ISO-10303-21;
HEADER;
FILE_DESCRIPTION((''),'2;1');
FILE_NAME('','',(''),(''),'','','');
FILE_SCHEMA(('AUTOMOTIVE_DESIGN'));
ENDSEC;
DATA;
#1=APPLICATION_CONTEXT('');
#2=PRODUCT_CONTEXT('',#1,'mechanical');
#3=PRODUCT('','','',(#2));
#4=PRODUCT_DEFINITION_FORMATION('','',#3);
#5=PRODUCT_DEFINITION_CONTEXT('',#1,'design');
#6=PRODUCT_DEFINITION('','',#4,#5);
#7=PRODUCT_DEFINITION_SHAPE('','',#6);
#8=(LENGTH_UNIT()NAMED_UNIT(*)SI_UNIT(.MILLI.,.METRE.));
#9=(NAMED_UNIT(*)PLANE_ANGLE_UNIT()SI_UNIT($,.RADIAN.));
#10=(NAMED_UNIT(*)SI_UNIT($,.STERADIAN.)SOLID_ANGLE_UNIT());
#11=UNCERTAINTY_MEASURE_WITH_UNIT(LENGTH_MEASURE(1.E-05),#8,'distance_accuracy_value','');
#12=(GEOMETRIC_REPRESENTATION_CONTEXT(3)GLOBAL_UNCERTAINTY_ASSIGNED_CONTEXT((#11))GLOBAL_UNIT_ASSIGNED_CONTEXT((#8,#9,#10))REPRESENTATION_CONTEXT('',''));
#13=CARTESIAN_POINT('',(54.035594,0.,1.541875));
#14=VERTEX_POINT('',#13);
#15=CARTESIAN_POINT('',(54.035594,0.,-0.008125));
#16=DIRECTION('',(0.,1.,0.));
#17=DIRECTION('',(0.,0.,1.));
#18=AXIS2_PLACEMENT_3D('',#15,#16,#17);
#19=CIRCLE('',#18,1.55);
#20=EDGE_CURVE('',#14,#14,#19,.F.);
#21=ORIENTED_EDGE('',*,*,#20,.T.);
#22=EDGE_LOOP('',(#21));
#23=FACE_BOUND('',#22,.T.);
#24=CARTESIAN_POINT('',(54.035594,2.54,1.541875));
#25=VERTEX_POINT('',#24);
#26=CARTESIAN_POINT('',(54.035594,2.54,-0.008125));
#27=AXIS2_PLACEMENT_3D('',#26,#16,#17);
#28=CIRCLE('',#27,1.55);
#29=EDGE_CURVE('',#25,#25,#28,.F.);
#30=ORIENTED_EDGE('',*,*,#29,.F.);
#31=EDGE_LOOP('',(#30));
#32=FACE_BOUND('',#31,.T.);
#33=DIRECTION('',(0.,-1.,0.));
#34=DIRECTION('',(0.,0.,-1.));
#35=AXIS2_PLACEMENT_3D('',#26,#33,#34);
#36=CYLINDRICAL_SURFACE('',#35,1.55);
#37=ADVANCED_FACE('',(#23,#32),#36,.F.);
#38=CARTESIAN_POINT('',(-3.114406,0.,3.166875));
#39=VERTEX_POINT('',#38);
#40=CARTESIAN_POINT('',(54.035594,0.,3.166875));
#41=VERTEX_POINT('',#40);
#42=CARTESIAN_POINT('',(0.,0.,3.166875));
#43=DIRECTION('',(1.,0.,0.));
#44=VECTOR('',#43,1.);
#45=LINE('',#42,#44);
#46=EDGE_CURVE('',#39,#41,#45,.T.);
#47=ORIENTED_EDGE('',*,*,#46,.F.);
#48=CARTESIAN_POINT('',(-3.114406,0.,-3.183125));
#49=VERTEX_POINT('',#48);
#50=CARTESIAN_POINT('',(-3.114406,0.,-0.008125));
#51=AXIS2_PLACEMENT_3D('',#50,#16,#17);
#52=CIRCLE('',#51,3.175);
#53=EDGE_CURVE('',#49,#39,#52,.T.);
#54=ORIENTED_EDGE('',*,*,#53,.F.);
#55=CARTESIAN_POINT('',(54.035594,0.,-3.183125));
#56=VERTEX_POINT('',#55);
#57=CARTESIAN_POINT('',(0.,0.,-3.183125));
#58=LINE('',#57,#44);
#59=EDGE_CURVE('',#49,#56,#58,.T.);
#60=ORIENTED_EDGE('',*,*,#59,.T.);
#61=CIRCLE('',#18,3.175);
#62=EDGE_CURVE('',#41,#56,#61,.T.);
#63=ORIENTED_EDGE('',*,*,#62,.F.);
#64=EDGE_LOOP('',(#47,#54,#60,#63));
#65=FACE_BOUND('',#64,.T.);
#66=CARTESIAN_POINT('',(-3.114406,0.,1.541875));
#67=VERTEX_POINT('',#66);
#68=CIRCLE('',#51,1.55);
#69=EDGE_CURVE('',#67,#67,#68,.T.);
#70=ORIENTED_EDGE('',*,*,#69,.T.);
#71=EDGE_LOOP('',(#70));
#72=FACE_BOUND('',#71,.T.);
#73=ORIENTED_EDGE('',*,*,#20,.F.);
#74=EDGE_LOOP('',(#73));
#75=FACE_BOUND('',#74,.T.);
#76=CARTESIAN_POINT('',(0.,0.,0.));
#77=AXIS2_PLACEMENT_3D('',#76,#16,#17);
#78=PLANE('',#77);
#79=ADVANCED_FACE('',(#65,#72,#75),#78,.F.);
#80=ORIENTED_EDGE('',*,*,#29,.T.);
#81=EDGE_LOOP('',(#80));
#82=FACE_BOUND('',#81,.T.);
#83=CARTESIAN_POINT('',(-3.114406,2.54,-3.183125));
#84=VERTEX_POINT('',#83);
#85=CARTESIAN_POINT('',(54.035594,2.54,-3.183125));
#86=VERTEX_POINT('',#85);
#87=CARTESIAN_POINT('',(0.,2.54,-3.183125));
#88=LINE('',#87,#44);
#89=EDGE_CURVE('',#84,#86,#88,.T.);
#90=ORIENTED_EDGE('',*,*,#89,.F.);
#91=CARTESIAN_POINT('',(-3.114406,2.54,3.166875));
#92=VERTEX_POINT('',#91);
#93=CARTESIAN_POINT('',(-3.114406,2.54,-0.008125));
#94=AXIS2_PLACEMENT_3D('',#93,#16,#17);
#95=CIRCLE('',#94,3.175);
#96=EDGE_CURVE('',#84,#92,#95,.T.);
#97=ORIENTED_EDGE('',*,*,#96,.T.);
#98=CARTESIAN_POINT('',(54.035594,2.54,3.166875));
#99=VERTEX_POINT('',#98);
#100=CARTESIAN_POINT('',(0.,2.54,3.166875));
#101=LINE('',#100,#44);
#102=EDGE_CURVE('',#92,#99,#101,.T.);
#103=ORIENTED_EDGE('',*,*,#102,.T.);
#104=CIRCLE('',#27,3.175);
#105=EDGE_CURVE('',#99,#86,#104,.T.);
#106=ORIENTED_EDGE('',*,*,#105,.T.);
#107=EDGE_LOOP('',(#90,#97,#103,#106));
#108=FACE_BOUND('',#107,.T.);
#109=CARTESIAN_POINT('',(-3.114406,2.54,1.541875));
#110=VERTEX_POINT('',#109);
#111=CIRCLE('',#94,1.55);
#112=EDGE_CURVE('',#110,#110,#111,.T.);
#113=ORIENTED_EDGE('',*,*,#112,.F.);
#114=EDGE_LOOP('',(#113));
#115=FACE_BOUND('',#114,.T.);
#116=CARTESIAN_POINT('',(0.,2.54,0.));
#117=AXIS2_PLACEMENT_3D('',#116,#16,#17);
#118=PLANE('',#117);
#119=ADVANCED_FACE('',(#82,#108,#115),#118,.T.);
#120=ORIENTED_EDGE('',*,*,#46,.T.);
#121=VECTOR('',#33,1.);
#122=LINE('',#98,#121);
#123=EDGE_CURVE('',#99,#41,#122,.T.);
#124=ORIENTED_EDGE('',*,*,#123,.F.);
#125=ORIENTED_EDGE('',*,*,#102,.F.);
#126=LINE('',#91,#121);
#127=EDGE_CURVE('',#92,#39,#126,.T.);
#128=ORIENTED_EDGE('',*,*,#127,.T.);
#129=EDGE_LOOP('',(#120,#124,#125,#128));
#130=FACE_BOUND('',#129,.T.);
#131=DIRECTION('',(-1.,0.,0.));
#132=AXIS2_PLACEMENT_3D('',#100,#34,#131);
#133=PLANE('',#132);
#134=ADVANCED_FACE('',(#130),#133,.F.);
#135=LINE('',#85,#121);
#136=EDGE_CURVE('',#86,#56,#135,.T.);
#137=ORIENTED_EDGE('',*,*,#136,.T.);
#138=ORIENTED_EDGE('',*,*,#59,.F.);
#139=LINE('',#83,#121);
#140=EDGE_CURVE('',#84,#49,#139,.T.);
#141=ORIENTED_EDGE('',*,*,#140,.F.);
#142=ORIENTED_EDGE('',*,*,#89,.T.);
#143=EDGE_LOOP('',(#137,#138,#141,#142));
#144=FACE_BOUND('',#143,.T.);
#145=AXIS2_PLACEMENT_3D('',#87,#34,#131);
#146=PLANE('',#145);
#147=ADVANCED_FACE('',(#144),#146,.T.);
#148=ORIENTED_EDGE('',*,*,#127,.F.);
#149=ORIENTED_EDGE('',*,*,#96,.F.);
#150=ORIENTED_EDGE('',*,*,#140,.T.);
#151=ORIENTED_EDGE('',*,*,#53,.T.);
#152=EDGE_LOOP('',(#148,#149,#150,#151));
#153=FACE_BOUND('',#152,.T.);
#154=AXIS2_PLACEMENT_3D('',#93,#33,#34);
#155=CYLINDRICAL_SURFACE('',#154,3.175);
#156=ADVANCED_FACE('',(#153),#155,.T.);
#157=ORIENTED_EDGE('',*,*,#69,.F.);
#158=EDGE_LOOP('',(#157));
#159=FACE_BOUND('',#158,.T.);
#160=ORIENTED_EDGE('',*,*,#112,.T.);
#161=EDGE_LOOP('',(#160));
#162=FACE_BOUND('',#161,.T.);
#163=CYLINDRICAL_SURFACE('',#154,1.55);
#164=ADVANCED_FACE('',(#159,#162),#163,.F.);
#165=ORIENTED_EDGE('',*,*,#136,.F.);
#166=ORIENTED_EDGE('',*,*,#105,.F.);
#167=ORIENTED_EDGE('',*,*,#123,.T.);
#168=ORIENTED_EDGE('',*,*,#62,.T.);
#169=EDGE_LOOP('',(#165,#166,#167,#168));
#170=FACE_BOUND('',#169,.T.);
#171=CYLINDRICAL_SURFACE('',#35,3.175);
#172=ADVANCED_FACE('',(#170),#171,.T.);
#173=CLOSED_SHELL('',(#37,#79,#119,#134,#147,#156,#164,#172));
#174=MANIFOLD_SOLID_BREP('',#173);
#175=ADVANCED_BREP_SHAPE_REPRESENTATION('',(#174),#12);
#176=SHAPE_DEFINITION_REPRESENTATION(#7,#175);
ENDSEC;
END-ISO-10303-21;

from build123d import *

# Parameters (mm, degrees)
SKETCH1_R           = 1.55
BOSS_EXTRUDE2_DEPTH = 2.54


with BuildPart() as part:
    # Sketch1 → Boss-Extrude2 (new body)
    with BuildSketch(Plane(origin=(0, 0, 0), x_dir=(1, 0, 0), z_dir=(0, 1, 0))):
        with BuildLine():
            Line((-3.114406286, 3.183125141), (54.035593714, 3.183125141))
            ThreePointArc((54.035593714, 3.183125141), (57.210593714, 0.008125141), (54.035593714, -3.166874859))
            Line((54.035593714, -3.166874859), (-3.114406286, -3.166874859))
            ThreePointArc((-3.114406286, -3.166874859), (-6.289406286, 0.008125141), (-3.114406286, 3.183125141))
        make_face()
        with Locations(Location((-3.114406286, 0.008125141, 0), (0, 0, 270))):
            Circle(SKETCH1_R, mode=Mode.SUBTRACT)
        with Locations(Location((54.035593714, 0.008125141, 0), (0, 0, 270))):
            Circle(SKETCH1_R, mode=Mode.SUBTRACT)
    extrude(amount=BOSS_EXTRUDE2_DEPTH)


solid = part.part
